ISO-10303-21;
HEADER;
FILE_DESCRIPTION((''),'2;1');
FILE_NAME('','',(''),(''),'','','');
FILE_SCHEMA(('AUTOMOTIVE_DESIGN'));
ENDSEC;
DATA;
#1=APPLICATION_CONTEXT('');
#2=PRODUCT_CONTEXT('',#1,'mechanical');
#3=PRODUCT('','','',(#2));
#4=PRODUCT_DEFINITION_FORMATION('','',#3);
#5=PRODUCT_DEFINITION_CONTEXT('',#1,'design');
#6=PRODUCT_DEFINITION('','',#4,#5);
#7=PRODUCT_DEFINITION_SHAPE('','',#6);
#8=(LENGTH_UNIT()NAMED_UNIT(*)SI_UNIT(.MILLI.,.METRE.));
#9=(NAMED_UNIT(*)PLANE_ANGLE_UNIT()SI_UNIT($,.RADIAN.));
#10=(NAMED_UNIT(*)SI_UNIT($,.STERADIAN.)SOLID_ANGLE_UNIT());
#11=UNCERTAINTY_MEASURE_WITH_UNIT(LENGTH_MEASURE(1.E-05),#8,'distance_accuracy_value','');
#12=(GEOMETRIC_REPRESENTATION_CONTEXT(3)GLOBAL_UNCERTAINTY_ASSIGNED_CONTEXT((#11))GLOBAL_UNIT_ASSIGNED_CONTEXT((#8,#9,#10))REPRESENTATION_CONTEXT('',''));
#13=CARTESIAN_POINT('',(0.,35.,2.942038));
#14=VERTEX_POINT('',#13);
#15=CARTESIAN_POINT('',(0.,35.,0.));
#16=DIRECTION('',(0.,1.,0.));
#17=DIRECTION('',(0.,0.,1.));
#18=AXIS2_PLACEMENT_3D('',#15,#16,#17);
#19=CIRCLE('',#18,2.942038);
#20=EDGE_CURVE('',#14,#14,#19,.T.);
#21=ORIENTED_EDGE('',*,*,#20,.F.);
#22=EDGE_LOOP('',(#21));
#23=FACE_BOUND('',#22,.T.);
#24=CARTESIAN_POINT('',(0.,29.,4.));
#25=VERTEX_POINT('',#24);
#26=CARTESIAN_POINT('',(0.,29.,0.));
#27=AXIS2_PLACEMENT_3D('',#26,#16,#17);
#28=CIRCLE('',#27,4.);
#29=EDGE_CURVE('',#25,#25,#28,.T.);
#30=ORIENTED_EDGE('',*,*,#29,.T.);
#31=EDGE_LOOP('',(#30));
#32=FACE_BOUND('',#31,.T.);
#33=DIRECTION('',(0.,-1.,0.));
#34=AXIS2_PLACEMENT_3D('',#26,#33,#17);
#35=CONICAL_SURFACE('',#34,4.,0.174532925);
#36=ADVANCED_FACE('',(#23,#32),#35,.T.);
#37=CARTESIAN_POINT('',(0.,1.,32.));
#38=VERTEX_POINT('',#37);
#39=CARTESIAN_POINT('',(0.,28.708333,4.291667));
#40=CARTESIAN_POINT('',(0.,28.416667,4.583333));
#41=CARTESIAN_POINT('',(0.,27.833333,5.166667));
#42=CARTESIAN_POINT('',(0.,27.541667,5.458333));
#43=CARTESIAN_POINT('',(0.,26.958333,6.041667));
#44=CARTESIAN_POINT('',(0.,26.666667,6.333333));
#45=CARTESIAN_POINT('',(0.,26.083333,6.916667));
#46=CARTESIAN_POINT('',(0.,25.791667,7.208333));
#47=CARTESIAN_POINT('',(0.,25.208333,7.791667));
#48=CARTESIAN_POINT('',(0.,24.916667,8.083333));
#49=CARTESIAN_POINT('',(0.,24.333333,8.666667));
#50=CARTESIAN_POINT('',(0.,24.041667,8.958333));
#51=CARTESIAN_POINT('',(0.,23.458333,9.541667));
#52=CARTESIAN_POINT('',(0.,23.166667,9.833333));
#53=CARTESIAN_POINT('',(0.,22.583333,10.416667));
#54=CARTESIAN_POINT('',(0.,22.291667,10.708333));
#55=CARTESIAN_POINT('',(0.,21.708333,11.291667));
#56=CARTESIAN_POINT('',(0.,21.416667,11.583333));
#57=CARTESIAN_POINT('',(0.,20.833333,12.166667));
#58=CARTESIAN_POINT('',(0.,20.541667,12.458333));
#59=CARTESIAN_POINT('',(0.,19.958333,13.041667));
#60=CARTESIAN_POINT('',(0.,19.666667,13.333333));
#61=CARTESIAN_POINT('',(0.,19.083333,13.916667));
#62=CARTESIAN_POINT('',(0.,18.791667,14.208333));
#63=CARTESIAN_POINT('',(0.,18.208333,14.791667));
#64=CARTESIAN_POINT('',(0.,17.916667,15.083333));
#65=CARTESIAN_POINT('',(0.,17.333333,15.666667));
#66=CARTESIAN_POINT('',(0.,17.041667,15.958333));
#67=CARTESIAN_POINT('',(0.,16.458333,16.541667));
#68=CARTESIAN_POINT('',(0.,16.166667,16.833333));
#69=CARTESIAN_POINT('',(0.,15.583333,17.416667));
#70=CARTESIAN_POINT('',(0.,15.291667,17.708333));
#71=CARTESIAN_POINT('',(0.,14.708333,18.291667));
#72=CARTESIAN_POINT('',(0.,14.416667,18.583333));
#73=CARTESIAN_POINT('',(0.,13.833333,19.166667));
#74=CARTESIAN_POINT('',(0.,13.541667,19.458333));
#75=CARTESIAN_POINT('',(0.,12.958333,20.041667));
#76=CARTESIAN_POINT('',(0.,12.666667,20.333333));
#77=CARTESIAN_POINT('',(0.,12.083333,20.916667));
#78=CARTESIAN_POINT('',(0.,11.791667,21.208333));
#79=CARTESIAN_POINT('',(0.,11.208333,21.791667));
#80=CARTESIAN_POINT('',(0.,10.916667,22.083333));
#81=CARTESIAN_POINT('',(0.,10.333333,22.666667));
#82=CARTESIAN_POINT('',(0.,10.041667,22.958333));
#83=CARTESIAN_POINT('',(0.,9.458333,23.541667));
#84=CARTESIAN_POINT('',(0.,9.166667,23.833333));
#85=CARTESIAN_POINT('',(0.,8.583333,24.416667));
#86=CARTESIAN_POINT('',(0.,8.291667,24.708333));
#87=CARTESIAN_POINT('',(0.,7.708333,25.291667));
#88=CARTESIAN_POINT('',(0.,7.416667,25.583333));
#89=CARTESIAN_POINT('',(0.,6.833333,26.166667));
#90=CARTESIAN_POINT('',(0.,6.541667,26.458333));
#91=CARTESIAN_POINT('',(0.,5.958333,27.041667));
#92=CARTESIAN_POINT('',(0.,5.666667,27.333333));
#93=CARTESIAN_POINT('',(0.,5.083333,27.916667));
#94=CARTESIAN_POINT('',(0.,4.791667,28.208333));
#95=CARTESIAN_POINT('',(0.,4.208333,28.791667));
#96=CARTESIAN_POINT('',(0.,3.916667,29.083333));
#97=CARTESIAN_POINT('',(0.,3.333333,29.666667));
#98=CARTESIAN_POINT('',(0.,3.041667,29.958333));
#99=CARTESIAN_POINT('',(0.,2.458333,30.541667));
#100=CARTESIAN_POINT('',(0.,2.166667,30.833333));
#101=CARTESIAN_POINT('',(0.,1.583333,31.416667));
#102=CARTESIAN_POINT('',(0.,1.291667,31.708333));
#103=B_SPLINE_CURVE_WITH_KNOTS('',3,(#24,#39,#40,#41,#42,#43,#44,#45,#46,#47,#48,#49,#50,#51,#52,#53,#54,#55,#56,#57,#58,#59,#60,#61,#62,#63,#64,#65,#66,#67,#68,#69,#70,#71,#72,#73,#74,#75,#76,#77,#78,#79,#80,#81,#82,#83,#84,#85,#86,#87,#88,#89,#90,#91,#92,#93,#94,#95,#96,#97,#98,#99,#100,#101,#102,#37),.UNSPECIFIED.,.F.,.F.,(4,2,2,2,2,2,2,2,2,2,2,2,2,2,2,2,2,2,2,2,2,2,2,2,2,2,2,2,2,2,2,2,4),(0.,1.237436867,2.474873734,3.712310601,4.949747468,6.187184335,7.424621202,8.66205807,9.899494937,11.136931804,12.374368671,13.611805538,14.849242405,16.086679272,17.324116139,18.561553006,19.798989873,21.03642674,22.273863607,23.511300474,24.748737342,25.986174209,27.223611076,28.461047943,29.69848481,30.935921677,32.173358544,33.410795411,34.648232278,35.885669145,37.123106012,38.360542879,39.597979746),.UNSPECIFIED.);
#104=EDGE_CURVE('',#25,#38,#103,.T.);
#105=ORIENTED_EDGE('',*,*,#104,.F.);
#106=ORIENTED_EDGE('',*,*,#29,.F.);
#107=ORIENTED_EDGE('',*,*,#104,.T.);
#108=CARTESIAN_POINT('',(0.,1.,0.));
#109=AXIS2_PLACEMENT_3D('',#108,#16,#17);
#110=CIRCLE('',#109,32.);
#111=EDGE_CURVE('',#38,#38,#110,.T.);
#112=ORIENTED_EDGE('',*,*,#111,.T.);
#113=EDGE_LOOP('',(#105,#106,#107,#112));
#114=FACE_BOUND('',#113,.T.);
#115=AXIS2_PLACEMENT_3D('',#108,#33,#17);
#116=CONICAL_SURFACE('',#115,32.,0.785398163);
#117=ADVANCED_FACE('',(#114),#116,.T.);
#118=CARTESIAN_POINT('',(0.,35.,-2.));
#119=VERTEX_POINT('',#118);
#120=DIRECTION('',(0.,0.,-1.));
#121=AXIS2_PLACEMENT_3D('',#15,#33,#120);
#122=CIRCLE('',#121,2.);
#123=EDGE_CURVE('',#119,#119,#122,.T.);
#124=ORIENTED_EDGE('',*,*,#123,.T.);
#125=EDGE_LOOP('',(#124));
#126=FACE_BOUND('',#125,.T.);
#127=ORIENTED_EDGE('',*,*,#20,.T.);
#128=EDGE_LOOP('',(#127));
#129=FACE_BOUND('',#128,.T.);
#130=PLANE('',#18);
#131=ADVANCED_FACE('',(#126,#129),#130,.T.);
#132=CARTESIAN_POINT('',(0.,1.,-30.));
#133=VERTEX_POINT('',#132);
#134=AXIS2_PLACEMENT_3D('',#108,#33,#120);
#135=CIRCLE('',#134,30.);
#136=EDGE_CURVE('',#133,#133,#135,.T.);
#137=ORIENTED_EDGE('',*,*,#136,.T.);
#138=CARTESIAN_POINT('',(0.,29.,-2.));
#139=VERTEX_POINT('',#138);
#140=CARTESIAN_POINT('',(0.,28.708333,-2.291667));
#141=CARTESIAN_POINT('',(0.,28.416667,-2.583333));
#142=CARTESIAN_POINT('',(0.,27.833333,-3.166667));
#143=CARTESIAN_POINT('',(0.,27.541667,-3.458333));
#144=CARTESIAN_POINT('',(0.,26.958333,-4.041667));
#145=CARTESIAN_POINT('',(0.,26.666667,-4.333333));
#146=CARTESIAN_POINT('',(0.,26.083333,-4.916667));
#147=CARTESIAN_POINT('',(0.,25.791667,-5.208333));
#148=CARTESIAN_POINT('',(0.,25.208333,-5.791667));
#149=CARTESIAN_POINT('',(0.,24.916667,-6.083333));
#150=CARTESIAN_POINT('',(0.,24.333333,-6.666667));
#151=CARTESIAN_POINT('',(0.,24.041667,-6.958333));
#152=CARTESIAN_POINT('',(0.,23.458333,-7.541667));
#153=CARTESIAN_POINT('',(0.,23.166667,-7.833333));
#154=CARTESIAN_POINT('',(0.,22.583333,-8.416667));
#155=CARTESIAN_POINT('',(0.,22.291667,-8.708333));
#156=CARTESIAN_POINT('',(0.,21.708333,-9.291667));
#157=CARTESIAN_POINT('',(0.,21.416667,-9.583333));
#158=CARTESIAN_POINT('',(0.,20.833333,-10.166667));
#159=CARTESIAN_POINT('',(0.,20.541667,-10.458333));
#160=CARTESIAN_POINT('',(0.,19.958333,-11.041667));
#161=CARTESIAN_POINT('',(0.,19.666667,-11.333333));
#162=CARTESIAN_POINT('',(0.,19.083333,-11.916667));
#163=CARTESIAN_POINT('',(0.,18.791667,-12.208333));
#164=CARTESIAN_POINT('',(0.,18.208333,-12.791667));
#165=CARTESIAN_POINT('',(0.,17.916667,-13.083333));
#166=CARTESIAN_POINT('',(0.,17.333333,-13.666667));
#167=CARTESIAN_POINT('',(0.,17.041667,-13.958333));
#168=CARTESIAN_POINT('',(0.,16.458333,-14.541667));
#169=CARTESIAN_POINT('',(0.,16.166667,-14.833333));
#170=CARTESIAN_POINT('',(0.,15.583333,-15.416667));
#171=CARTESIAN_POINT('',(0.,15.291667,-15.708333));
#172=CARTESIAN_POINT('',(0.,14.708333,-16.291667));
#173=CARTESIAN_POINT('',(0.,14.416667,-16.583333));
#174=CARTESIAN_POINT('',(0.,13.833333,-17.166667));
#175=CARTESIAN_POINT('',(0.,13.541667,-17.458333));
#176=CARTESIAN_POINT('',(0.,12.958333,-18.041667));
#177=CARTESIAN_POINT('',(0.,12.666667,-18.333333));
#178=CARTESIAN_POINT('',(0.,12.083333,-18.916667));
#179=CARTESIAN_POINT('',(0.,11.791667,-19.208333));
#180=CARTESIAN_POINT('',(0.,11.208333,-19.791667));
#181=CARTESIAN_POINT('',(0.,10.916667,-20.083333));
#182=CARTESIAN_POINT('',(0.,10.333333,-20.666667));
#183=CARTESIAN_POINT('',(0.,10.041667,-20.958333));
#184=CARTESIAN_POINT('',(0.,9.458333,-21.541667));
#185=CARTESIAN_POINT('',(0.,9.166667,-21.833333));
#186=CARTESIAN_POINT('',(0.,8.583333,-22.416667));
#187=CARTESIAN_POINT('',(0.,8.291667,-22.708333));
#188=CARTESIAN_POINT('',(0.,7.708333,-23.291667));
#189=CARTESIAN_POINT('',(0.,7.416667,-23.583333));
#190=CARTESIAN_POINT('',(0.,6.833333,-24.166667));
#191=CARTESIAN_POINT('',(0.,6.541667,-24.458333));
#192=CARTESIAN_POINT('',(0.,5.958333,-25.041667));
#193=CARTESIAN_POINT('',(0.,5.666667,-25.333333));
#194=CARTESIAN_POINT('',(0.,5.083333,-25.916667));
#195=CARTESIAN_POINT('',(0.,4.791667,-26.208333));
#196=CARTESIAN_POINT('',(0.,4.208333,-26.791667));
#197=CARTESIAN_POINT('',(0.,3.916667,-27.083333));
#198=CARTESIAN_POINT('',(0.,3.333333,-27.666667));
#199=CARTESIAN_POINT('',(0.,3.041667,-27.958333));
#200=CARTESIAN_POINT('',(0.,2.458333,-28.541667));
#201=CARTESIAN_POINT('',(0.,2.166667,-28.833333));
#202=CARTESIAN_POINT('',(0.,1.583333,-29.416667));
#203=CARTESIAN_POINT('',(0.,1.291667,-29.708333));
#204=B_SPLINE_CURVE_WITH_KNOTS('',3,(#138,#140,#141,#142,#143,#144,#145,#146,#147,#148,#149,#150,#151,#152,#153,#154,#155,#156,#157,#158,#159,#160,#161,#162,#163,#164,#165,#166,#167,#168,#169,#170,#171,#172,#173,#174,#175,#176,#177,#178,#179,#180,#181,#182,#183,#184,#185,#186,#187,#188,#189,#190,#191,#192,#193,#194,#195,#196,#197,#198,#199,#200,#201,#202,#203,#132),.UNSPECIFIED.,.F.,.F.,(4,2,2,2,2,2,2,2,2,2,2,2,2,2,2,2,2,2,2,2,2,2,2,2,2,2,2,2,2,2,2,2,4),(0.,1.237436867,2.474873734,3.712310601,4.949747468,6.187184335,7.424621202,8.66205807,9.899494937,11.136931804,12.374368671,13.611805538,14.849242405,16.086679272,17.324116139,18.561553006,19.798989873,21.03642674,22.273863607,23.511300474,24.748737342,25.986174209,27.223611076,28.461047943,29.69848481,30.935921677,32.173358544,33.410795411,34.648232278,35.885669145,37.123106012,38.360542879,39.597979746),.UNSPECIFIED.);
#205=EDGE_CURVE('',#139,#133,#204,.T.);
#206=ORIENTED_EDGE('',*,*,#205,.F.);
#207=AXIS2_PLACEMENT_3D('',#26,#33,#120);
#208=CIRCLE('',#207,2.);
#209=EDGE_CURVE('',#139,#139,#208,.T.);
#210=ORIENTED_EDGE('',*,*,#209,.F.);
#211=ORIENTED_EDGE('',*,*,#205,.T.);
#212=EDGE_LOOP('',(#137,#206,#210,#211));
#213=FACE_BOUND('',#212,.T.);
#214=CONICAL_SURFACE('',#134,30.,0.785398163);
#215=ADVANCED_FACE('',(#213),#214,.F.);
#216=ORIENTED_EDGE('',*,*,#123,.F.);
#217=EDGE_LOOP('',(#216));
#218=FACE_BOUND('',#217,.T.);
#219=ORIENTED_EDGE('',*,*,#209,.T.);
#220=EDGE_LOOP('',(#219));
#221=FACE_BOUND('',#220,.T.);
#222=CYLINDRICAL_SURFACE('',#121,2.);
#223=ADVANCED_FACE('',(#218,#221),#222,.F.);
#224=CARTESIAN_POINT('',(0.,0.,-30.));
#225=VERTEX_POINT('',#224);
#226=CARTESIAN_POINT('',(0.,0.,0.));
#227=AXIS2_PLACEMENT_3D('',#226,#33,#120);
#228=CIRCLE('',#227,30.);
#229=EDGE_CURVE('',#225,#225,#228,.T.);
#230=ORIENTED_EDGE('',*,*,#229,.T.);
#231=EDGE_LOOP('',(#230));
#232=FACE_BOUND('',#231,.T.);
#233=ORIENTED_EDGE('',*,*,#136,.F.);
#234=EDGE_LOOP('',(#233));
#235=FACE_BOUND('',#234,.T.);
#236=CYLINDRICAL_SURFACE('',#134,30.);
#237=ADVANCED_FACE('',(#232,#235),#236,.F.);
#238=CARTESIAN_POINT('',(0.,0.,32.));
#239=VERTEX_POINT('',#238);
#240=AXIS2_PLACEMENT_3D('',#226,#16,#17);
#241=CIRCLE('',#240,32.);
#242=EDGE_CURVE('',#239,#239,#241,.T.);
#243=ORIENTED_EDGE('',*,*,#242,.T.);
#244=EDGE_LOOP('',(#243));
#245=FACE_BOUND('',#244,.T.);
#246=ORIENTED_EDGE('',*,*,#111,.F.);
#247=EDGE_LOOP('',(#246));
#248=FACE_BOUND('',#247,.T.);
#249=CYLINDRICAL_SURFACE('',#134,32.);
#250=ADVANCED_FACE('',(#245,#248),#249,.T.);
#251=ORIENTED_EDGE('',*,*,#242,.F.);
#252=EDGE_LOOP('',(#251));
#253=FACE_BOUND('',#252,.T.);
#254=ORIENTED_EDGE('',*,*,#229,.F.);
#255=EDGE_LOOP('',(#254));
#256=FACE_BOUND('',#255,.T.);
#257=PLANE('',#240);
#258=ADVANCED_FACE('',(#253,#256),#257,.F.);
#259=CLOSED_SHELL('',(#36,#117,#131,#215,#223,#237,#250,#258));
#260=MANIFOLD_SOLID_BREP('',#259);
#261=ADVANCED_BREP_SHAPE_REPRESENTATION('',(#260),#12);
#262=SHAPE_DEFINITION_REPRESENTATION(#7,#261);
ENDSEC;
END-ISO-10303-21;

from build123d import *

# Parameters (mm, degrees)
SKETCH_2_R          = 32
EXTRUDE_2_DEPTH     = 1
SKETCH_3_R          = 32
EXTRUDE_3_DEPTH     = 28
EXTRUDE_3_TAPER     = 45
SKETCH_5_R          = 30
CUT_EXTRUDE_1_DEPTH = 1
SKETCH_6_R          = 30
CUT_EXTRUDE_2_DEPTH = 28
CUT_EXTRUDE_2_DRAFT = -45
SKETCH_7_R          = 4
EXTRUDE_5_DEPTH     = 6
EXTRUDE_5_TAPER     = 10
SKETCH_10_R         = 2
CUT_EXTRUDE_3_DEPTH = 54.749418721


with BuildPart() as part:
    # 草图2 → 凸台-拉伸2 (new body)
    with BuildSketch(Plane(origin=(0, 0, 0), x_dir=(1, 0, 0), z_dir=(0, 1, 0))):
        with Locations(Location((0, 0, 0), (0, 0, 270))):
            Circle(SKETCH_2_R)
    extrude(amount=EXTRUDE_2_DEPTH)

    # 草图3 → 凸台-拉伸3 (add)
    with BuildSketch(Plane(origin=(0, 1, 0), x_dir=(1, 0, 0), z_dir=(0, 1, 0))):
        with Locations(Location((0, 0, 0), (0, 0, 270))):
            Circle(SKETCH_3_R)
    extrude(amount=EXTRUDE_3_DEPTH, taper=EXTRUDE_3_TAPER)

    # 草图5 → 切除-拉伸1 (cut)
    with BuildSketch(Plane(origin=(0, 0, 0), x_dir=(-1, 0, 0), z_dir=(0, -1, 0))):
        with Locations(Location((0, 0, 0), (0, 0, 90))):
            Circle(SKETCH_5_R)
    extrude(amount=-CUT_EXTRUDE_1_DEPTH, mode=Mode.SUBTRACT)


with BuildPart() as cut_extrude_2_tool:
    # 草图6 → 切除-拉伸2 (with draft: the straight prism first)
    with BuildSketch(Plane(origin=(0, 1, 0), x_dir=(-1, 0, 0), z_dir=(0, -1, 0))):
        with Locations(Location((0, 0, 0), (0, 0, 90))):
            Circle(SKETCH_6_R)
    extrude(amount=-CUT_EXTRUDE_2_DEPTH)
    # 切除-拉伸2: the draft: its side faces are tilted about the plane it starts from
    cut_extrude_2_sides = [cut_extrude_2_tool.faces().sort_by_distance(p)[0] for p in [
        (0, 15, 30),
    ]]
    draft(cut_extrude_2_sides, Plane(origin=(0, 1, 0), x_dir=(-1, 0, 0), z_dir=(0, -1, 0)), CUT_EXTRUDE_2_DRAFT)


with BuildPart() as part_1:
    add(part.part)

    # 切除-拉伸2: cut by cut_extrude_2_tool
    add(cut_extrude_2_tool.part, mode=Mode.SUBTRACT)

    # 草图7 → 凸台-拉伸5 (add)
    with BuildSketch(Plane(origin=(0, 29, 0), x_dir=(1, 0, 0), z_dir=(0, 1, 0))):
        Circle(SKETCH_7_R)
    extrude(amount=EXTRUDE_5_DEPTH, taper=EXTRUDE_5_TAPER)

    # 草图10 → 切除-拉伸3 (cut, through all)
    with BuildSketch(Plane(origin=(0, 29, 0), x_dir=(-1, 0, 0), z_dir=(0, -1, 0))):
        with Locations(Location((0, 0, 0), (0, 0, 90))):
            Circle(SKETCH_10_R)
    extrude(amount=-CUT_EXTRUDE_3_DEPTH, mode=Mode.SUBTRACT)


solid = part_1.part
